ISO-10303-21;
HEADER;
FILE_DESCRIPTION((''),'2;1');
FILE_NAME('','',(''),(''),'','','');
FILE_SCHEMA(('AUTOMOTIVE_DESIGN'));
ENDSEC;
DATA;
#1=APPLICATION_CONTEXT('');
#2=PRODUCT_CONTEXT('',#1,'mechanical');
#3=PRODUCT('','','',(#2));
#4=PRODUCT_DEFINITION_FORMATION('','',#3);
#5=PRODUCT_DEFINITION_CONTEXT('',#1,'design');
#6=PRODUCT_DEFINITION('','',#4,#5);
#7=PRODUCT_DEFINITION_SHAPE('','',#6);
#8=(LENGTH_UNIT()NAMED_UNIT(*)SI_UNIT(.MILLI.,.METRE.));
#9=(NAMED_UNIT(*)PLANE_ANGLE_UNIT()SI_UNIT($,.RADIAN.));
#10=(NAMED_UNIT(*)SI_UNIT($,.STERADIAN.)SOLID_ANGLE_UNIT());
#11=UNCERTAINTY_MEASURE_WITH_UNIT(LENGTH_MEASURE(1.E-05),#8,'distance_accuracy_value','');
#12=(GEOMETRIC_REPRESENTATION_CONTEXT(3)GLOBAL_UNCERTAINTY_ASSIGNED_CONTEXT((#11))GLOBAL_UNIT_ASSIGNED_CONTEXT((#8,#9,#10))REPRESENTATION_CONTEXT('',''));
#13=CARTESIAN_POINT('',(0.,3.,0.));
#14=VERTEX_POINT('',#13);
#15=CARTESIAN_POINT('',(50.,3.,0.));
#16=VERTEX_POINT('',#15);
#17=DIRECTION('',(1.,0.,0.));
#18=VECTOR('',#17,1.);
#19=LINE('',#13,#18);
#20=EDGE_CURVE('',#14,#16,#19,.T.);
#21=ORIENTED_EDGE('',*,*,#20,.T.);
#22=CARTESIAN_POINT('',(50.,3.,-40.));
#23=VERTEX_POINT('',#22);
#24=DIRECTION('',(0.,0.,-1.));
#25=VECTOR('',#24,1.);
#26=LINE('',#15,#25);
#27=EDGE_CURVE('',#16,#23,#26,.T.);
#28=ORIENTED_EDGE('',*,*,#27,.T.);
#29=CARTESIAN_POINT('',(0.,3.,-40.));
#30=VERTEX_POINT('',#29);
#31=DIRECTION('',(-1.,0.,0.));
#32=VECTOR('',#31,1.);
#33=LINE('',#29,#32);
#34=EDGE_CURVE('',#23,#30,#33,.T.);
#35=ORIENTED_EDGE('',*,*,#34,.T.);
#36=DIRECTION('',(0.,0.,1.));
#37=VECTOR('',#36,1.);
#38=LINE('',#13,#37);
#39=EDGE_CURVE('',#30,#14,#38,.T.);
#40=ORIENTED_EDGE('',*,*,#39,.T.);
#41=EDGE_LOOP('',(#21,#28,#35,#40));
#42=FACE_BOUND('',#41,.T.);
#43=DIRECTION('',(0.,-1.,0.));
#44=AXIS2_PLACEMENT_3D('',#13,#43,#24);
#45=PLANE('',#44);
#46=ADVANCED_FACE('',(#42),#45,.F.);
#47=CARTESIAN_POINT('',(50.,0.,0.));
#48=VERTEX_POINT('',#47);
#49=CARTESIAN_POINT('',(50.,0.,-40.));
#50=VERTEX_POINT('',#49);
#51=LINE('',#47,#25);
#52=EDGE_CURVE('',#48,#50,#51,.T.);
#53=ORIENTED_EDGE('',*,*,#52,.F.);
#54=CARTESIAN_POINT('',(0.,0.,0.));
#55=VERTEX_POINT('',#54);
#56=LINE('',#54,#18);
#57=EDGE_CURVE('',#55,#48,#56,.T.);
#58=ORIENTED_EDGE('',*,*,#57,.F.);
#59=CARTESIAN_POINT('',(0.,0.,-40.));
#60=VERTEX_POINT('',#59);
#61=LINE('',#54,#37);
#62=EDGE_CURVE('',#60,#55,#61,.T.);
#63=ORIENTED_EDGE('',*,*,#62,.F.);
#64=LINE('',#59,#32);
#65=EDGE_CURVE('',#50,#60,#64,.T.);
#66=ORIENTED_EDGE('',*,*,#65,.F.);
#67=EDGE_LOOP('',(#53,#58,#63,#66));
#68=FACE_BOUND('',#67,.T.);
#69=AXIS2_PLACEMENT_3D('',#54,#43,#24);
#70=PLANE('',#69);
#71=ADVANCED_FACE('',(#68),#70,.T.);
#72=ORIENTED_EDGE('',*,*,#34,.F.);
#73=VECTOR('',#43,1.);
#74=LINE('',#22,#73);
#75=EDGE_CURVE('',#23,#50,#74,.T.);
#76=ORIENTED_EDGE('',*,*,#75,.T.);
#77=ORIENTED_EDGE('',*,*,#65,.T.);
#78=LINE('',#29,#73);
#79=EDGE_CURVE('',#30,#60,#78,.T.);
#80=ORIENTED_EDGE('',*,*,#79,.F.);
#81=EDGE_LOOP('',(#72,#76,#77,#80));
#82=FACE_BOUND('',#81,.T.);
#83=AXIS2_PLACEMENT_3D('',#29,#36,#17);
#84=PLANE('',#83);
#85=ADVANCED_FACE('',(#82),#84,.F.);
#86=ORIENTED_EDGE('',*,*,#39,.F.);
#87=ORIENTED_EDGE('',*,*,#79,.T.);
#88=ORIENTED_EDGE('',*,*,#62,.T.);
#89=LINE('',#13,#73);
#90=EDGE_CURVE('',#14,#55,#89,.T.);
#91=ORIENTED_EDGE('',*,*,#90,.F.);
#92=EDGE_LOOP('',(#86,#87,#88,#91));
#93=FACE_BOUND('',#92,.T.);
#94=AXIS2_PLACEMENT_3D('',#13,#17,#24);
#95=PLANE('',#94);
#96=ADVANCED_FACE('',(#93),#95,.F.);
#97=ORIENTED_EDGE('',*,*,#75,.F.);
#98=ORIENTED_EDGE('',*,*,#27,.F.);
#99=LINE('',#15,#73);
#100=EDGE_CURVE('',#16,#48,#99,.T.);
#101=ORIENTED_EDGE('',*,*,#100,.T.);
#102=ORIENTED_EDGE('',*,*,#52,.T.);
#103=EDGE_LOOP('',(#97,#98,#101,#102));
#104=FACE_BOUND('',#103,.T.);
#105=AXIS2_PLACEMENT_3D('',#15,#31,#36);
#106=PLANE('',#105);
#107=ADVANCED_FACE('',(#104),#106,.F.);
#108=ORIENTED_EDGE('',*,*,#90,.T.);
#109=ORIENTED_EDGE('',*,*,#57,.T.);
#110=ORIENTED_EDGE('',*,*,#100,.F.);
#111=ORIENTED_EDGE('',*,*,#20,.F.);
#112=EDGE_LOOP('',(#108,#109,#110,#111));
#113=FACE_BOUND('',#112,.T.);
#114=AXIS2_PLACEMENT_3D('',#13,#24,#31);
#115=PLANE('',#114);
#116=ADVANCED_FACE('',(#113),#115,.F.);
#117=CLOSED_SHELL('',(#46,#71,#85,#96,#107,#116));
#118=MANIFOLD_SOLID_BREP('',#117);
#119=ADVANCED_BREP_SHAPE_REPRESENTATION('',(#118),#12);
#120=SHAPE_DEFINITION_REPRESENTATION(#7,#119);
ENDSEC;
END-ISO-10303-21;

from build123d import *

# Parameters (mm, degrees)
SKETCH_1_W      = 50
SKETCH_1_H      = 40
EXTRUDE_1_DEPTH = 3


with BuildPart() as part:
    # 草图1 → 凸台-拉伸1 (new body)
    with BuildSketch(Plane(origin=(0, 0, 0), x_dir=(1, 0, 0), z_dir=(0, 1, 0))):
        with Locations((25, 20)):
            Rectangle(SKETCH_1_W, SKETCH_1_H)
    extrude(amount=EXTRUDE_1_DEPTH)


solid = part.part
